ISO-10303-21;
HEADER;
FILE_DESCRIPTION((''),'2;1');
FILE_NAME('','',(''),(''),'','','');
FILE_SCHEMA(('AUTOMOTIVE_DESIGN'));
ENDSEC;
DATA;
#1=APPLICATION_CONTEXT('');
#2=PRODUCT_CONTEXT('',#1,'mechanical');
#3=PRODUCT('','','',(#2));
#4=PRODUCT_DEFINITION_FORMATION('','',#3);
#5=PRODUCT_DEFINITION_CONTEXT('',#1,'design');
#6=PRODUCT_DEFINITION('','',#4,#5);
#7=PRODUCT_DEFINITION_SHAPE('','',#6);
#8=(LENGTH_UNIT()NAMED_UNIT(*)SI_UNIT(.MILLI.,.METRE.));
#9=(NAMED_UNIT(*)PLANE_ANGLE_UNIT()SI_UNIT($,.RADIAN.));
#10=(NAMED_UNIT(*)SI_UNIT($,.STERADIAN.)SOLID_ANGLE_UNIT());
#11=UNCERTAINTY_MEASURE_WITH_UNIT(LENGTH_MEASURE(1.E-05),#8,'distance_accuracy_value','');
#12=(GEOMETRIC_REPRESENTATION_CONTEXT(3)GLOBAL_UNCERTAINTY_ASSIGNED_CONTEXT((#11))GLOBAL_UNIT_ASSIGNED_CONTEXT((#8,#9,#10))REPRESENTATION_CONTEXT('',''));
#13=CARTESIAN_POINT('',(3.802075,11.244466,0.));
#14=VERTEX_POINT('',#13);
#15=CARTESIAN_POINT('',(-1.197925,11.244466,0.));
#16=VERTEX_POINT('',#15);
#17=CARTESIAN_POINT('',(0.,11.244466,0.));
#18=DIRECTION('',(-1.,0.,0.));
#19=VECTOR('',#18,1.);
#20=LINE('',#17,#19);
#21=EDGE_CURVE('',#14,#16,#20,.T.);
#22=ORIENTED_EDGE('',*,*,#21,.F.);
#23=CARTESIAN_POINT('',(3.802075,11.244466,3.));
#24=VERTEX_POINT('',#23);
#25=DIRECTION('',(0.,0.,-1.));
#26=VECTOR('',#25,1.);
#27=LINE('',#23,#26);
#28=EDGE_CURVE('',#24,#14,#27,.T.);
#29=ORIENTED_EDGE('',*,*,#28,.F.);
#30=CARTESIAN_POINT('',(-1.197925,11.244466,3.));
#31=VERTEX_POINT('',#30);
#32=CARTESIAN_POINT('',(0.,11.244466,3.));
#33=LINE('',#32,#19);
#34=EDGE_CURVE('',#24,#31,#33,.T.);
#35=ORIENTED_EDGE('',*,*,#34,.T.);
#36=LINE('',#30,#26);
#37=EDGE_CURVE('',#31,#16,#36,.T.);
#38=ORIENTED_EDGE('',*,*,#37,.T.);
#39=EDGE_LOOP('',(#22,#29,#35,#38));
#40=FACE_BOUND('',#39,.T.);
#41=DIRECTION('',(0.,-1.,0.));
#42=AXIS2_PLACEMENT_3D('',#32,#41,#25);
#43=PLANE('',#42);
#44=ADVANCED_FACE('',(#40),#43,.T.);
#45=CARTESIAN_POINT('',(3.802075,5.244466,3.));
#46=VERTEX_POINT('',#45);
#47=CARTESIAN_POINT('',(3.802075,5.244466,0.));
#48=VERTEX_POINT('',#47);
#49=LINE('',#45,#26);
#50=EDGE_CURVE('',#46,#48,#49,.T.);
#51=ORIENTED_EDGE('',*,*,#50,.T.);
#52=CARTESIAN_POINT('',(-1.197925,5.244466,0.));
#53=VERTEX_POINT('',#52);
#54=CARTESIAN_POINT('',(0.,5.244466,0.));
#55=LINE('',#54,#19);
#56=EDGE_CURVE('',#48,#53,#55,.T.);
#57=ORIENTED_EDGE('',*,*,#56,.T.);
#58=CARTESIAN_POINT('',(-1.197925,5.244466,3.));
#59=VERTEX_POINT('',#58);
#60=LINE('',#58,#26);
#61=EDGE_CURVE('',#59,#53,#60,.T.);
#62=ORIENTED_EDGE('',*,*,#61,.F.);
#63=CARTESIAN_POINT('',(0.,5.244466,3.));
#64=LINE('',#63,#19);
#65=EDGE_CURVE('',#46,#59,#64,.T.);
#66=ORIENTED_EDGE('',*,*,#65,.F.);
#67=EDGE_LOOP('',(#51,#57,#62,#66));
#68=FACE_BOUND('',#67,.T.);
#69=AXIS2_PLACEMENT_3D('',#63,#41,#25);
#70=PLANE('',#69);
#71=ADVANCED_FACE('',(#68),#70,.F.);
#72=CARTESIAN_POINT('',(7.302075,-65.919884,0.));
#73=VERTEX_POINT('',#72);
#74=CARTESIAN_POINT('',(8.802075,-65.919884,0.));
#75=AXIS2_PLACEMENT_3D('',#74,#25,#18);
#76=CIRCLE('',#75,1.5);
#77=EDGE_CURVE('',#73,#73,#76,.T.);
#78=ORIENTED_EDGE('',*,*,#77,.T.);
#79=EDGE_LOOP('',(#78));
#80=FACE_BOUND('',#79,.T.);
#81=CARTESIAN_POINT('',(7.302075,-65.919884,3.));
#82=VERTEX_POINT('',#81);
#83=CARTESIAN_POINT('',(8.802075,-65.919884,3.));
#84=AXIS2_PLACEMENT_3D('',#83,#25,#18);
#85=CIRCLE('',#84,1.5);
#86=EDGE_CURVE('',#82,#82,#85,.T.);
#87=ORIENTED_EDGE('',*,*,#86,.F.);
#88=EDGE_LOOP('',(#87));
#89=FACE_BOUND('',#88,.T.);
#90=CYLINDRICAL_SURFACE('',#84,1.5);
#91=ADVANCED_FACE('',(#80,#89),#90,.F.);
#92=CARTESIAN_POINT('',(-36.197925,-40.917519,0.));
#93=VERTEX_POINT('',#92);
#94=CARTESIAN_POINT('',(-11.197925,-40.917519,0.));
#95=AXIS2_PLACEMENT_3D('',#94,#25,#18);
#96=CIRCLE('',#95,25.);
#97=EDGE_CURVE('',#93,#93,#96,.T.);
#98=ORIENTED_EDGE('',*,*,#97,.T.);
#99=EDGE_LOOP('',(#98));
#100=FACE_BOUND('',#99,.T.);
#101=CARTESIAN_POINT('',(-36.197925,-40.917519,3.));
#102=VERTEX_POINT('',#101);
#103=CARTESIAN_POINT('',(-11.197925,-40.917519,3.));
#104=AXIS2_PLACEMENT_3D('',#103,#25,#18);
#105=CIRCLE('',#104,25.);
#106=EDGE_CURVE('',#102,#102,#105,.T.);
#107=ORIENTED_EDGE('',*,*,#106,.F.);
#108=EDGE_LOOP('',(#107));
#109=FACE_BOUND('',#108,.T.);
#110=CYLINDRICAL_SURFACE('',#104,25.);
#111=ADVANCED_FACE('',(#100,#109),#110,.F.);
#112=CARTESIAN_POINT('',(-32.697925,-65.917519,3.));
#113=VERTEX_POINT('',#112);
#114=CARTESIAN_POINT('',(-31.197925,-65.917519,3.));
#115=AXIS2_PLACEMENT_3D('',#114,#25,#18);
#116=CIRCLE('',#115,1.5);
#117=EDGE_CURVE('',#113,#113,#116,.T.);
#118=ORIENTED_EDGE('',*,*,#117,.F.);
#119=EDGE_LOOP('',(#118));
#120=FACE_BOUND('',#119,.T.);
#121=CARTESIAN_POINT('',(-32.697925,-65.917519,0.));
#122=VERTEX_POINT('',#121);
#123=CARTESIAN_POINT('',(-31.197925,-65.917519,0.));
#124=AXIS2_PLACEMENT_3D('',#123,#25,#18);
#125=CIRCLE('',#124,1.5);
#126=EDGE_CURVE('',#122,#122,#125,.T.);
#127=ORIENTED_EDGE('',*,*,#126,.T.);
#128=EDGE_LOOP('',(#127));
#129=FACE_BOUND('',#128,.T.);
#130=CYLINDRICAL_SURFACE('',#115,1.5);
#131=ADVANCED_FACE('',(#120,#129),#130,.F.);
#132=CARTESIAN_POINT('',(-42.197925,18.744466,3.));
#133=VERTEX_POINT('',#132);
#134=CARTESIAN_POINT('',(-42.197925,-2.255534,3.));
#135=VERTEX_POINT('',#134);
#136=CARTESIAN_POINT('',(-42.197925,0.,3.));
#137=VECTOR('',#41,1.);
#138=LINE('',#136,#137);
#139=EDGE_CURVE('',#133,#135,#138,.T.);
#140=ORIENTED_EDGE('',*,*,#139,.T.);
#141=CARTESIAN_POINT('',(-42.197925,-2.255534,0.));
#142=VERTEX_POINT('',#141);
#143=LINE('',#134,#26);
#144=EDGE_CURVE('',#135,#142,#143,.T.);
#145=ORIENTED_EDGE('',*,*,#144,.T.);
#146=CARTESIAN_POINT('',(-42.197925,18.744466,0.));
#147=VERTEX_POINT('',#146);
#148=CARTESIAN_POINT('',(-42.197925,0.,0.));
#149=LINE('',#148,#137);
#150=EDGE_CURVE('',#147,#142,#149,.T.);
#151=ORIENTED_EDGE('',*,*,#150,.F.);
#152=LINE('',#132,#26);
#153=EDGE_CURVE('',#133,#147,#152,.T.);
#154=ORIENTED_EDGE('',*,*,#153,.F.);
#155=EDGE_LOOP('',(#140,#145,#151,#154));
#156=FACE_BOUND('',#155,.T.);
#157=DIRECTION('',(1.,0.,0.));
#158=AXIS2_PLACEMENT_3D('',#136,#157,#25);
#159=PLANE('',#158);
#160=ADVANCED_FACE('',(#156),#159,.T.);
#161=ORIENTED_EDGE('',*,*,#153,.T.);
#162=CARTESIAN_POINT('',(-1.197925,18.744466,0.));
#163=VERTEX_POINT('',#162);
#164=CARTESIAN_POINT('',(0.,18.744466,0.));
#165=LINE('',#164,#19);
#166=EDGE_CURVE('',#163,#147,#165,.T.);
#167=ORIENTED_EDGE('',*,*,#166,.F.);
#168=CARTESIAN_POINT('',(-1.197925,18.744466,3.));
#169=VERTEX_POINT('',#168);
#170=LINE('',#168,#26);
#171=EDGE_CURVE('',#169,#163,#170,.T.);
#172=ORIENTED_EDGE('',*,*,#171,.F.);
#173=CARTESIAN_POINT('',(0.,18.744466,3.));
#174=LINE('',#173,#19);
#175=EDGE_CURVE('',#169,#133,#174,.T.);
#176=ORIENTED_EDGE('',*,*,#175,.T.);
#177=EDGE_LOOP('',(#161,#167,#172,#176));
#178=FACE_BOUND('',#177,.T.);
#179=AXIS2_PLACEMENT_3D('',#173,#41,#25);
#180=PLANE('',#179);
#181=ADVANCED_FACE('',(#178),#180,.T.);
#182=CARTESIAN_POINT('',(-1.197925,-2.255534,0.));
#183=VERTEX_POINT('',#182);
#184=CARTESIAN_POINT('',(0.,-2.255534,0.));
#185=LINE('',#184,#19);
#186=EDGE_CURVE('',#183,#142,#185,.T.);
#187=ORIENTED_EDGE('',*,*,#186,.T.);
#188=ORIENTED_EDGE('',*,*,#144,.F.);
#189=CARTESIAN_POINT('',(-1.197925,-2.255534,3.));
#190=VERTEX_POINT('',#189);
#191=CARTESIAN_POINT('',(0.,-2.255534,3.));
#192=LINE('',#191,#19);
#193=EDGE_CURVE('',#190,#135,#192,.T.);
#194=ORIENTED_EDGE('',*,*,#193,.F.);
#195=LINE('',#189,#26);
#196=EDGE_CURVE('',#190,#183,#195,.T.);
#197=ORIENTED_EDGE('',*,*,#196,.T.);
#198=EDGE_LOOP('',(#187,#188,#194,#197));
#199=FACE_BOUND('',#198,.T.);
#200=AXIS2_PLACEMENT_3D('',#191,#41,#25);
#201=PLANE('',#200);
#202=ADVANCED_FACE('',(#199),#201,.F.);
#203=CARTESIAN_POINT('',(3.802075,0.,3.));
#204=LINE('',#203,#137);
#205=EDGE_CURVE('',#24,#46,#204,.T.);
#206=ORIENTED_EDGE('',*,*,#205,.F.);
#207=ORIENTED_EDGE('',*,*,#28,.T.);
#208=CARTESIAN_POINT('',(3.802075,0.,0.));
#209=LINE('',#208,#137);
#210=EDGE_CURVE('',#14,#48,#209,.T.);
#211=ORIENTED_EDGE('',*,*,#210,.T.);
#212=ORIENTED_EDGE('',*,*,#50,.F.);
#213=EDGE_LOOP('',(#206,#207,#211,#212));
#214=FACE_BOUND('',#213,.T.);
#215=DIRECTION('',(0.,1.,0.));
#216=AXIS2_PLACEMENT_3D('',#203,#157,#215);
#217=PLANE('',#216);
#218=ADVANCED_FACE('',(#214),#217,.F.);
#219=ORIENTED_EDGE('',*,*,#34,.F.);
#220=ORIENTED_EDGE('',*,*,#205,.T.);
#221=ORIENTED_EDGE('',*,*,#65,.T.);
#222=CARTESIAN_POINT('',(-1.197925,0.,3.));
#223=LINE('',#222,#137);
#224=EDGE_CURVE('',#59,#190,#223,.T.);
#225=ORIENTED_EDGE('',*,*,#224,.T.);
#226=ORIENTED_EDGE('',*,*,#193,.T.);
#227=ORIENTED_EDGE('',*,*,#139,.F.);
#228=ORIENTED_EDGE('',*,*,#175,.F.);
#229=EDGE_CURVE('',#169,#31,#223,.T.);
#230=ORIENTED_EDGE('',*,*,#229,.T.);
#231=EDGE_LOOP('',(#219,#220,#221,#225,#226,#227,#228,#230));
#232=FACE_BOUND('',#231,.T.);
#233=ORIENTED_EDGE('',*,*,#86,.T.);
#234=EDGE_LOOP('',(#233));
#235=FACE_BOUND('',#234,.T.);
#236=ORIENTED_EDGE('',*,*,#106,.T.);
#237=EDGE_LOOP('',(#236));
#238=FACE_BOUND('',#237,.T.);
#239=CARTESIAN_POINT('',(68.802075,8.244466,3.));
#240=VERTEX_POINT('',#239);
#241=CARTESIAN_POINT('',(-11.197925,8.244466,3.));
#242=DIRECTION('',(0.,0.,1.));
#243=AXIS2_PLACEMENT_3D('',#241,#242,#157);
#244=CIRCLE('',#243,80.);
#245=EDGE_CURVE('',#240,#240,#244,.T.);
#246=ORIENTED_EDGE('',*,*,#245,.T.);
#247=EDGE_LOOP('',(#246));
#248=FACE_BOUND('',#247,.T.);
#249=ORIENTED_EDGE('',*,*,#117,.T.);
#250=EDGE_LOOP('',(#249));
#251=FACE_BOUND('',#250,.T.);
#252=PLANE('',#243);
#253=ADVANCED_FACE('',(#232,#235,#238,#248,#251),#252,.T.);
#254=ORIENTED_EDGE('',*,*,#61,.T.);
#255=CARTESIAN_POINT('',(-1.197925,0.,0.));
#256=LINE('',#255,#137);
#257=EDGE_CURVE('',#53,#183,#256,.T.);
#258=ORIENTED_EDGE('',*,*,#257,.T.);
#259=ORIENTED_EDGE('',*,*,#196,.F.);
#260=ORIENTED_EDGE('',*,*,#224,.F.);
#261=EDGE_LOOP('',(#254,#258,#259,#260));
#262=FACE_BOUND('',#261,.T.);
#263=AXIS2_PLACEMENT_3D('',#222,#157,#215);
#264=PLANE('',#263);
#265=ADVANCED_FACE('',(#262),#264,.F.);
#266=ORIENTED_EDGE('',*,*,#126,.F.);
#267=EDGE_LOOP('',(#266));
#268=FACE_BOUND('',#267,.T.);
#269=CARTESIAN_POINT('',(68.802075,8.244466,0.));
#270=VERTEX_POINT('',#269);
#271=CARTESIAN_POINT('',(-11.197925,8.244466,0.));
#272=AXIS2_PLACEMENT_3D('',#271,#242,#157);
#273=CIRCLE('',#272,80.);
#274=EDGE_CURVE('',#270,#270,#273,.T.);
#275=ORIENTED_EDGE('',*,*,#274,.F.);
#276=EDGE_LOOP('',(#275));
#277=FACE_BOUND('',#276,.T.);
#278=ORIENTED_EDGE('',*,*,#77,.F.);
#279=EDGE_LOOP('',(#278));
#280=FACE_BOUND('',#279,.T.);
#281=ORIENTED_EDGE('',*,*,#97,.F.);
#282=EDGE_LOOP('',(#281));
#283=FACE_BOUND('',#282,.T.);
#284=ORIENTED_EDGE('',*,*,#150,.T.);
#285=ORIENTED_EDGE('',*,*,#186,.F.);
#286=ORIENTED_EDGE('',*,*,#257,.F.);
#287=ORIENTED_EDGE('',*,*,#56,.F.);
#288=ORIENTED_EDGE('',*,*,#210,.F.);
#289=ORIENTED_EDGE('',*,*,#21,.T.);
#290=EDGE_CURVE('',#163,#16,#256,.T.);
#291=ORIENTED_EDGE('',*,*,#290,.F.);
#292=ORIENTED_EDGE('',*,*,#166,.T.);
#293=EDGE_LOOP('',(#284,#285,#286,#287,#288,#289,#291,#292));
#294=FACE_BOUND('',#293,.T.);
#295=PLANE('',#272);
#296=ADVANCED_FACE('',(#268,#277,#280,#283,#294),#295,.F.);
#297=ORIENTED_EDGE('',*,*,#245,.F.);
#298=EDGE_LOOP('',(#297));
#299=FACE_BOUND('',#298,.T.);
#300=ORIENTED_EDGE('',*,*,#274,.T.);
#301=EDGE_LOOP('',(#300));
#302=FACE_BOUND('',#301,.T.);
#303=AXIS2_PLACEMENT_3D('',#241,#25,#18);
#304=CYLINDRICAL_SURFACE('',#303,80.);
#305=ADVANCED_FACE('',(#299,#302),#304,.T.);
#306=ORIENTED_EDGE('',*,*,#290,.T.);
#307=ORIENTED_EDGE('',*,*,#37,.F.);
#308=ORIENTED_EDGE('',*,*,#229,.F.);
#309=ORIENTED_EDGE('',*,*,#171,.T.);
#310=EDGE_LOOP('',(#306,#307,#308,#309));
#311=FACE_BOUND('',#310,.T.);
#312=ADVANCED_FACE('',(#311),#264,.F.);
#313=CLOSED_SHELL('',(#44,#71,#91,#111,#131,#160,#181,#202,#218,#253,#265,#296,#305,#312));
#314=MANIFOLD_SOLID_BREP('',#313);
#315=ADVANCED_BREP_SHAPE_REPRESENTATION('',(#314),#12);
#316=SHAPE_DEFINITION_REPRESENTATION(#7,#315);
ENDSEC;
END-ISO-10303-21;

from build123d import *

# Parameters (mm, degrees)
ESQUISSE1_R              = 80
BOSS_EXTRU_1_DEPTH       = 3
ESQUISSE2_R              = 1
ENL_V_MAT_EXTRU_1_DEPTH  = 3
ESQUISSE3_R              = 1.5
ENL_V_MAT_EXTRU_10_DEPTH = 3


with BuildPart() as part:
    # Esquisse1 → Boss.-Extru.1 (new body)
    with BuildSketch(Plane.XY):
        with Locations((-11.197924537, 8.24446622)):
            Circle(ESQUISSE1_R)
    extrude(amount=BOSS_EXTRU_1_DEPTH)

    # Esquisse2 → Enlèv. mat.-Extru.1 (cut)
    # profile 1 of 2: a face of its own
    with BuildSketch(Plane(origin=(0, 0, 0), x_dir=(-1, 0, 0), z_dir=(0, 0, -1))):
        Polygon((-3.802075463, 11.24446622), (-3.802075463, 5.24446622), (1.197924537, 5.24446622), (1.197924537, -2.25553378), (42.197924537, -2.25553378), (42.197924537, 18.74446622), (1.197924537, 18.74446622), (1.197924537, 11.24446622), align=None)
        with Locations((11.197924537, 8.24446622)):
            Circle(ESQUISSE2_R, mode=Mode.SUBTRACT)
    # profile 2 of 2: a face of its own
    with BuildSketch(Plane(origin=(0, 0, 0), x_dir=(-1, 0, 0), z_dir=(0, 0, -1))):
        with Locations((11.197924537, 8.24446622)):
            Circle(ESQUISSE2_R)
    extrude(amount=-ENL_V_MAT_EXTRU_1_DEPTH, mode=Mode.SUBTRACT)

    # Esquisse3 → Enlèv. mat.-Extru.10 (cut)
    with BuildSketch(Plane(origin=(0, 0, 0), x_dir=(-1, 0, 0), z_dir=(0, 0, -1))):
        with BuildLine():
            ThreePointArc((36.197924537, -40.917518651), (28.875594067, -23.239849121), (11.197924537, -15.917518651))
            Line((11.197924537, -15.917518651), (11.197924537, -65.917518651))
            ThreePointArc((11.197924537, -65.917518651), (28.875594067, -58.59518818), (36.197924537, -40.917518651))
        make_face()
        with BuildLine():
            Line((11.197924537, -65.917518651), (11.197924537, -15.917518651))
            ThreePointArc((11.197924537, -15.917518651), (-13.802075463, -40.917518651), (11.197924537, -65.917518651))
        make_face()
        with Locations((-8.802075463, -65.919884489)):
            Circle(ESQUISSE3_R)
        with Locations((31.197924537, -65.917518651)):
            Circle(ESQUISSE3_R)
    extrude(amount=-ENL_V_MAT_EXTRU_10_DEPTH, mode=Mode.SUBTRACT)


solid = part.part
